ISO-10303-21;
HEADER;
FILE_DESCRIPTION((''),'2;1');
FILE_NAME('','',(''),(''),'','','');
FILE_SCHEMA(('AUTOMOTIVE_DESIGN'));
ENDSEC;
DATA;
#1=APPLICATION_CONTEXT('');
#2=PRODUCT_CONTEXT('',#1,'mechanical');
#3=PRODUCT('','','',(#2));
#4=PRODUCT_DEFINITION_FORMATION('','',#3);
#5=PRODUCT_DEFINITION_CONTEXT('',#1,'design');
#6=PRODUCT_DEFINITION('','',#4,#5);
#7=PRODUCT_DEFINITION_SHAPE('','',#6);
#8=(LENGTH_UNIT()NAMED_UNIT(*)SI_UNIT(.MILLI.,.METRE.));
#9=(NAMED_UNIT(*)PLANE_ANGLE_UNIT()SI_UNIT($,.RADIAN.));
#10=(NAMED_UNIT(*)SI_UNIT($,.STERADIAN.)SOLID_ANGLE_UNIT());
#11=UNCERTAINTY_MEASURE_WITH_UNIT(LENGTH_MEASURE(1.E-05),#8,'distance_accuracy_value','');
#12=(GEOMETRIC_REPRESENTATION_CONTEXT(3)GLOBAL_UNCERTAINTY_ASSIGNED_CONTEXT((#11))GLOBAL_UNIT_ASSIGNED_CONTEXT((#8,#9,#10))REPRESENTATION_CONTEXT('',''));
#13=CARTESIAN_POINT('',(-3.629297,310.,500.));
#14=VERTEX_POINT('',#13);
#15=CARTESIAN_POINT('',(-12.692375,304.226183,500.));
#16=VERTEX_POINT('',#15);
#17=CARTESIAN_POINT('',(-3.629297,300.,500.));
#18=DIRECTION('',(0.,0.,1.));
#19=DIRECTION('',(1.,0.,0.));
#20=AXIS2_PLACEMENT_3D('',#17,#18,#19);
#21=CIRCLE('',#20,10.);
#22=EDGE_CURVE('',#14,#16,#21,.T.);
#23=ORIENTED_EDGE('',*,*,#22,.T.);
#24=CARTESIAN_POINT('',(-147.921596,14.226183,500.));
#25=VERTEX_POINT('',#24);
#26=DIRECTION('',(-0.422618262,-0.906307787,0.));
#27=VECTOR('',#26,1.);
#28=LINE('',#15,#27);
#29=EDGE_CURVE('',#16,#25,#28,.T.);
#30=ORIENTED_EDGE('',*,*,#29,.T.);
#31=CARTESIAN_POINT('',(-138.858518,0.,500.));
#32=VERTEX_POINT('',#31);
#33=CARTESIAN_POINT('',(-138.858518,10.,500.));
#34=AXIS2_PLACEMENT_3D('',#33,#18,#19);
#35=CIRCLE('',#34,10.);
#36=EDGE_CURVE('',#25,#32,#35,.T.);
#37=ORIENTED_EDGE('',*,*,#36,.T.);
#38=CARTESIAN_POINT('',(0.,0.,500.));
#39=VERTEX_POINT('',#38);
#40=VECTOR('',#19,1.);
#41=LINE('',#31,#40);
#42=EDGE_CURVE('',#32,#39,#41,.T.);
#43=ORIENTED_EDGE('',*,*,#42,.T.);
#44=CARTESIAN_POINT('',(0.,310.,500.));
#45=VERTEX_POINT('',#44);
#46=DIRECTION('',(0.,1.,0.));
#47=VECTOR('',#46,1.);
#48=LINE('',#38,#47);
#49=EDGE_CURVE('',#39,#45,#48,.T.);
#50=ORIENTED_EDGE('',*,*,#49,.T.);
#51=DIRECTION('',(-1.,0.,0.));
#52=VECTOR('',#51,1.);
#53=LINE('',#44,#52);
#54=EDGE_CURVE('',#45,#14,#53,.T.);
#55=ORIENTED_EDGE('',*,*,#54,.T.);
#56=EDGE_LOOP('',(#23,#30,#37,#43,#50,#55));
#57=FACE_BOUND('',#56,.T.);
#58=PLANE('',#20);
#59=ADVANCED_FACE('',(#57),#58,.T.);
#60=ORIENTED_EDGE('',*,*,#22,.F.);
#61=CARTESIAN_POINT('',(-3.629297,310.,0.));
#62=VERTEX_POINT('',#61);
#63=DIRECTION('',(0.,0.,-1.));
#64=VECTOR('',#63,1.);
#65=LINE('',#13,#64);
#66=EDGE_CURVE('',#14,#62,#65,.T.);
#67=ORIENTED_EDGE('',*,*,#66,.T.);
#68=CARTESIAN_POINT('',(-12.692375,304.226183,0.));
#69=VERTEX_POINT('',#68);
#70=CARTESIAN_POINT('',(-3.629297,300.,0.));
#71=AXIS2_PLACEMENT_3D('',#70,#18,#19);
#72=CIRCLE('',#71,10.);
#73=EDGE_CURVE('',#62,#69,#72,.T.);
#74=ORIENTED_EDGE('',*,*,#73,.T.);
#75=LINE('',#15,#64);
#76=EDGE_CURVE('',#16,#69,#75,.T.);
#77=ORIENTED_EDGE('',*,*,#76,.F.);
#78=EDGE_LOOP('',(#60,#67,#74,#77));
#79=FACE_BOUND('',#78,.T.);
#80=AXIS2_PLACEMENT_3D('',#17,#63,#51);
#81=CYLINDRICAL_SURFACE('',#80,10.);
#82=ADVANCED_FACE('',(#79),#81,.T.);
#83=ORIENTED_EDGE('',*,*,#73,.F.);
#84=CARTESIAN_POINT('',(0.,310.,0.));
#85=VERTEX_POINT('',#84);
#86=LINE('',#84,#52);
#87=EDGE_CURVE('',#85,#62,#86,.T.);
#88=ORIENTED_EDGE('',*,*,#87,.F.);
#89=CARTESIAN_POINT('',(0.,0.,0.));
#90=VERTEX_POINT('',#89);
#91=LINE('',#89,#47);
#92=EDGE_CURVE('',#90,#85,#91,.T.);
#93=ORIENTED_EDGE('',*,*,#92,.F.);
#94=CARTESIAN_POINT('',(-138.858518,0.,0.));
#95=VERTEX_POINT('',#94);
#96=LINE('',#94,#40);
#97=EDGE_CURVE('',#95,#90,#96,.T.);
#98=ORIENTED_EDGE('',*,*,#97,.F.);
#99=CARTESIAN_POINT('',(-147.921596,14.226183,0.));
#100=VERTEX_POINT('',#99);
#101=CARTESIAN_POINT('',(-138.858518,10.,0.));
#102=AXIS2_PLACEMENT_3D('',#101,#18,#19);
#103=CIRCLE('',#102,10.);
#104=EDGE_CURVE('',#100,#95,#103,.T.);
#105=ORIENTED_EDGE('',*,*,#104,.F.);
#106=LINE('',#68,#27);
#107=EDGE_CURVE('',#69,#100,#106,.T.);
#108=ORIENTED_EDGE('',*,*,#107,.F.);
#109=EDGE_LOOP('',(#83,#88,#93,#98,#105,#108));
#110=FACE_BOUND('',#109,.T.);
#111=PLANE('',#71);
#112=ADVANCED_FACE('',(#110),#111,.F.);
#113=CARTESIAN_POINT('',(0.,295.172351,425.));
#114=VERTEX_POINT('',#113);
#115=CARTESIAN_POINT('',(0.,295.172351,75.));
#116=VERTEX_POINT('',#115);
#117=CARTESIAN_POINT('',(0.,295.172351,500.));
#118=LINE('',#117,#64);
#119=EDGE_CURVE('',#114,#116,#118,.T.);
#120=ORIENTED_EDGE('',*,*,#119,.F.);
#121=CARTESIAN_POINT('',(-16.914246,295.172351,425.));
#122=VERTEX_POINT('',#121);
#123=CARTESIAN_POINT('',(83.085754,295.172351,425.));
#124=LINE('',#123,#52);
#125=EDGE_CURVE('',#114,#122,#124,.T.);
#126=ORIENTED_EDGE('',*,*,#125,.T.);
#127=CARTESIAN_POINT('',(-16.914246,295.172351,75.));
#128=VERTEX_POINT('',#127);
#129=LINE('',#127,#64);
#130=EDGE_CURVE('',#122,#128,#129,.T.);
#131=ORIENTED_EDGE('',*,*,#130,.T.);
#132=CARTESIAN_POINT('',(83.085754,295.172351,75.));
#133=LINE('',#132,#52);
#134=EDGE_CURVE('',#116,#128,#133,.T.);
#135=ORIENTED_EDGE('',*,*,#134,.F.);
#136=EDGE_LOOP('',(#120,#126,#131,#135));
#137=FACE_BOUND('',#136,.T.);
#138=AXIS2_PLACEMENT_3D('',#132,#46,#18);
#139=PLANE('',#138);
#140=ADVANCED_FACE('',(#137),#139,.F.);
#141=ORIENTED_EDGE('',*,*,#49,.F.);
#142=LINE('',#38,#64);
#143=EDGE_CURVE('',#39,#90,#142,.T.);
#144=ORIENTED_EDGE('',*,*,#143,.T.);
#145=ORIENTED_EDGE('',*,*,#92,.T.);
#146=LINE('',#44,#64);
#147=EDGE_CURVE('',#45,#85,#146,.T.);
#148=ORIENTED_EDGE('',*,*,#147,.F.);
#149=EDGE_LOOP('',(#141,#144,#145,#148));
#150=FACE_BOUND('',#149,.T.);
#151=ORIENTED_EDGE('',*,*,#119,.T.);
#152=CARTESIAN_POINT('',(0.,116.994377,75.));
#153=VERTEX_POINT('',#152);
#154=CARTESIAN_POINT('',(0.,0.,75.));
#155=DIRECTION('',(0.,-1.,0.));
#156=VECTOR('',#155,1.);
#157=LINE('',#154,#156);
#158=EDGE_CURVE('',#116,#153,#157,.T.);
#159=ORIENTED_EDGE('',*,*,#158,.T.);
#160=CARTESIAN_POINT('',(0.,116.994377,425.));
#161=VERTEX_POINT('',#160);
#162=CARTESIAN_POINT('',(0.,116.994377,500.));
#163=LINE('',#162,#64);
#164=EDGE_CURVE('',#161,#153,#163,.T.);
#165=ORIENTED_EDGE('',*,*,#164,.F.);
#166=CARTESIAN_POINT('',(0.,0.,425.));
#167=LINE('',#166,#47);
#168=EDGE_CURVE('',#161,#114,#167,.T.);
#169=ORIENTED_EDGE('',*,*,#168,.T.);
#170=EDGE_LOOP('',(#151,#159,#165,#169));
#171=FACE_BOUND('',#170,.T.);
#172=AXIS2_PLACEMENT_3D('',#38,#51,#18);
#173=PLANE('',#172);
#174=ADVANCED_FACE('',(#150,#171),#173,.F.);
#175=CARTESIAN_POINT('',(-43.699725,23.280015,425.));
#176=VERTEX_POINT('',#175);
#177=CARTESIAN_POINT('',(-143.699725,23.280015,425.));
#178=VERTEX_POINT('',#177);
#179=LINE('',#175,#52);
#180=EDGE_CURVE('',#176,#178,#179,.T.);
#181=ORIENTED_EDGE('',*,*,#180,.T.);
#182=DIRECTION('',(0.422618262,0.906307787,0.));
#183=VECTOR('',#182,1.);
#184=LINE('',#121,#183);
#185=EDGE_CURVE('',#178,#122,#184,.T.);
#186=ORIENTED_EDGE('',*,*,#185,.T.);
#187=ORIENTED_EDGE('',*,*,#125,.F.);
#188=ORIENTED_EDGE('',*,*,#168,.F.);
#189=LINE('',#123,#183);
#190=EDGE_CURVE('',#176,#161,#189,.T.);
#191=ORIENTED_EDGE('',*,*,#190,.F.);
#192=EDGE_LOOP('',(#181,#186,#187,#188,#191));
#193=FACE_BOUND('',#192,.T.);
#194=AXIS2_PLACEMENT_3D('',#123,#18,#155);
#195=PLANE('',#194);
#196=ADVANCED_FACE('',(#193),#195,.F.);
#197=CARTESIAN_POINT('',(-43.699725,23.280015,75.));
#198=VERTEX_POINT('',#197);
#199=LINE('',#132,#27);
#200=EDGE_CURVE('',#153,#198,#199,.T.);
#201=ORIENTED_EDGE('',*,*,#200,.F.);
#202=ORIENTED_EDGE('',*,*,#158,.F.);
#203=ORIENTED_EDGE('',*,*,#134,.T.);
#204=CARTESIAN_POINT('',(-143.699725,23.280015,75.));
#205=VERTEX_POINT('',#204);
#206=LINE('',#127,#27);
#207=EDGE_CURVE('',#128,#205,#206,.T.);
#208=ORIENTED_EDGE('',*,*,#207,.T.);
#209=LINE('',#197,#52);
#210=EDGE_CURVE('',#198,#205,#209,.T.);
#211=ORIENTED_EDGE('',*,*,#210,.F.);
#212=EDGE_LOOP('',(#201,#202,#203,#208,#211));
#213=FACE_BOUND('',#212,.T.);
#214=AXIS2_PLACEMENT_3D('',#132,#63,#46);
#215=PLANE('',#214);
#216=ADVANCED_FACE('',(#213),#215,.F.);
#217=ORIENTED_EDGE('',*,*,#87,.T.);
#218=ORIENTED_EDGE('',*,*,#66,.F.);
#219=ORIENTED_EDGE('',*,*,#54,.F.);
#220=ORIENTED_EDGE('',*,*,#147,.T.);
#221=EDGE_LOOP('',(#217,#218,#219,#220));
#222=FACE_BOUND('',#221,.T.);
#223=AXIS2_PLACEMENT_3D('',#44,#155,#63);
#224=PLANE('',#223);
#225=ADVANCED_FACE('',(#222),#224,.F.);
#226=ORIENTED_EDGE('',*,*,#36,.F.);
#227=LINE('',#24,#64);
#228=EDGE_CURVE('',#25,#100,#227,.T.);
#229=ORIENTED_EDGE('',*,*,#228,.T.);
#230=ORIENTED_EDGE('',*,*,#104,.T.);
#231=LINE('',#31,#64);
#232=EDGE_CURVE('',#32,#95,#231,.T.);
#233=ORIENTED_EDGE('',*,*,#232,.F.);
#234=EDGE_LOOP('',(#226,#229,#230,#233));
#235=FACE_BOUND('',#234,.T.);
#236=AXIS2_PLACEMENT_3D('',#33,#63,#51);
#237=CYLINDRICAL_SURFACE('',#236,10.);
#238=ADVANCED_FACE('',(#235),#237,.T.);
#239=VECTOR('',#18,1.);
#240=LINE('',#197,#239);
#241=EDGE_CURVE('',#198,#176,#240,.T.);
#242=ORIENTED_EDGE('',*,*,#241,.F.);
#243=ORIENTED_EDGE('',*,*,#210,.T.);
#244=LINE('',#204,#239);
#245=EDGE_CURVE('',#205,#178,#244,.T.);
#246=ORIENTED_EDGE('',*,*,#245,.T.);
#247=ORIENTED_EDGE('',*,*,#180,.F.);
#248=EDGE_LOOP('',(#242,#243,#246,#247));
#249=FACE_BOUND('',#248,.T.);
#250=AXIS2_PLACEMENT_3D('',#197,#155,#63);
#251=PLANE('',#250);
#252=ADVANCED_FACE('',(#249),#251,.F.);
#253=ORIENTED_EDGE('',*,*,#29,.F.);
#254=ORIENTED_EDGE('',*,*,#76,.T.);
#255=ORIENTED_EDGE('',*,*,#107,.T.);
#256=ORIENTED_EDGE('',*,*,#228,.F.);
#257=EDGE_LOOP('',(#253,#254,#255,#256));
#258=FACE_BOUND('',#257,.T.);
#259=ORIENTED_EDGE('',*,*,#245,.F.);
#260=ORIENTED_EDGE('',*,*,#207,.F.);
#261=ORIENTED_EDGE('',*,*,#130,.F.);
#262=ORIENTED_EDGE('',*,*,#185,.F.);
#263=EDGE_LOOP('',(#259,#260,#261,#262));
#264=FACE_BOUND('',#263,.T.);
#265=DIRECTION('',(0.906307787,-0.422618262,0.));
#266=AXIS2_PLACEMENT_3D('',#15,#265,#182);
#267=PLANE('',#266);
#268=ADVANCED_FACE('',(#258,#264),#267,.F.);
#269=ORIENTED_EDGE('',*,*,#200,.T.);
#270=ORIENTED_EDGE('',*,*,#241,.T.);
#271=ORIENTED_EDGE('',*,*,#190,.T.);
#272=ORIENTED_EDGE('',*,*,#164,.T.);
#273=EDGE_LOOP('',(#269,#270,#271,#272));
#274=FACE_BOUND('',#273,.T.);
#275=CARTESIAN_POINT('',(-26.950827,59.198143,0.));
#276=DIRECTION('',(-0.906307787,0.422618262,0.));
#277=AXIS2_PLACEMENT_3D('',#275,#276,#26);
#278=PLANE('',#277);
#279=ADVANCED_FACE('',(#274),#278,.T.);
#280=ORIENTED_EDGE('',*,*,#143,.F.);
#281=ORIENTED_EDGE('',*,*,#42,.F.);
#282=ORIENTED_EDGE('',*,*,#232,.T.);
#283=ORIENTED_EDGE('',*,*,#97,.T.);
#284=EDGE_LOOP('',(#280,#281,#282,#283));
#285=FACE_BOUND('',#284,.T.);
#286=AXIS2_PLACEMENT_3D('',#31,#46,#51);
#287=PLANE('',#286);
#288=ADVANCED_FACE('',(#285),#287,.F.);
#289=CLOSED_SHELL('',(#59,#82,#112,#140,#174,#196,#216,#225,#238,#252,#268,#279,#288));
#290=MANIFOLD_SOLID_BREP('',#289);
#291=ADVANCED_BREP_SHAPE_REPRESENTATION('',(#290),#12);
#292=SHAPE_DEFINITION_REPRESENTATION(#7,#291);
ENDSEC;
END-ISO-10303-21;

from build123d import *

# Parameters (mm, degrees)
BOSS_EXTRUDE1_DEPTH = 500
SKETCH2_W           = 350
SKETCH2_H           = 300
CUT_EXTRUDE1_DEPTH  = 100


with BuildPart() as part:
    # Sketch1 → Boss-Extrude1 (new body)
    with BuildSketch(Plane.XY):
        with BuildLine():
            Line((0, 0), (0, 310))
            Line((0, 310), (-3.629297392, 310))
            ThreePointArc((-3.629297392, 310), (-9.002293475, 308.433914458), (-12.692375262, 304.226182617))
            Line((-12.692375262, 304.226182617), (-147.921596127, 14.226182617))
            ThreePointArc((-147.921596127, 14.226182617), (-147.292432715, 4.627003917), (-138.858518257, 0))
            Line((-138.858518257, 0), (0, 0))
        make_face()
    extrude(amount=BOSS_EXTRUDE1_DEPTH)

    # Sketch2 → Cut-Extrude1 (cut, along a direction that is not the sketch's normal)
    with BuildSketch(Plane(origin=(-126.950826732, 59.198142714, 0), x_dir=(0, 0, 1), z_dir=(-0.906307787, 0.422618262, 0))):
        with Locations((250, 110.368730506)):
            Rectangle(SKETCH2_W, SKETCH2_H)
    extrude(amount=-CUT_EXTRUDE1_DEPTH, dir=(-1, 0, 0), mode=Mode.SUBTRACT)


solid = part.part
